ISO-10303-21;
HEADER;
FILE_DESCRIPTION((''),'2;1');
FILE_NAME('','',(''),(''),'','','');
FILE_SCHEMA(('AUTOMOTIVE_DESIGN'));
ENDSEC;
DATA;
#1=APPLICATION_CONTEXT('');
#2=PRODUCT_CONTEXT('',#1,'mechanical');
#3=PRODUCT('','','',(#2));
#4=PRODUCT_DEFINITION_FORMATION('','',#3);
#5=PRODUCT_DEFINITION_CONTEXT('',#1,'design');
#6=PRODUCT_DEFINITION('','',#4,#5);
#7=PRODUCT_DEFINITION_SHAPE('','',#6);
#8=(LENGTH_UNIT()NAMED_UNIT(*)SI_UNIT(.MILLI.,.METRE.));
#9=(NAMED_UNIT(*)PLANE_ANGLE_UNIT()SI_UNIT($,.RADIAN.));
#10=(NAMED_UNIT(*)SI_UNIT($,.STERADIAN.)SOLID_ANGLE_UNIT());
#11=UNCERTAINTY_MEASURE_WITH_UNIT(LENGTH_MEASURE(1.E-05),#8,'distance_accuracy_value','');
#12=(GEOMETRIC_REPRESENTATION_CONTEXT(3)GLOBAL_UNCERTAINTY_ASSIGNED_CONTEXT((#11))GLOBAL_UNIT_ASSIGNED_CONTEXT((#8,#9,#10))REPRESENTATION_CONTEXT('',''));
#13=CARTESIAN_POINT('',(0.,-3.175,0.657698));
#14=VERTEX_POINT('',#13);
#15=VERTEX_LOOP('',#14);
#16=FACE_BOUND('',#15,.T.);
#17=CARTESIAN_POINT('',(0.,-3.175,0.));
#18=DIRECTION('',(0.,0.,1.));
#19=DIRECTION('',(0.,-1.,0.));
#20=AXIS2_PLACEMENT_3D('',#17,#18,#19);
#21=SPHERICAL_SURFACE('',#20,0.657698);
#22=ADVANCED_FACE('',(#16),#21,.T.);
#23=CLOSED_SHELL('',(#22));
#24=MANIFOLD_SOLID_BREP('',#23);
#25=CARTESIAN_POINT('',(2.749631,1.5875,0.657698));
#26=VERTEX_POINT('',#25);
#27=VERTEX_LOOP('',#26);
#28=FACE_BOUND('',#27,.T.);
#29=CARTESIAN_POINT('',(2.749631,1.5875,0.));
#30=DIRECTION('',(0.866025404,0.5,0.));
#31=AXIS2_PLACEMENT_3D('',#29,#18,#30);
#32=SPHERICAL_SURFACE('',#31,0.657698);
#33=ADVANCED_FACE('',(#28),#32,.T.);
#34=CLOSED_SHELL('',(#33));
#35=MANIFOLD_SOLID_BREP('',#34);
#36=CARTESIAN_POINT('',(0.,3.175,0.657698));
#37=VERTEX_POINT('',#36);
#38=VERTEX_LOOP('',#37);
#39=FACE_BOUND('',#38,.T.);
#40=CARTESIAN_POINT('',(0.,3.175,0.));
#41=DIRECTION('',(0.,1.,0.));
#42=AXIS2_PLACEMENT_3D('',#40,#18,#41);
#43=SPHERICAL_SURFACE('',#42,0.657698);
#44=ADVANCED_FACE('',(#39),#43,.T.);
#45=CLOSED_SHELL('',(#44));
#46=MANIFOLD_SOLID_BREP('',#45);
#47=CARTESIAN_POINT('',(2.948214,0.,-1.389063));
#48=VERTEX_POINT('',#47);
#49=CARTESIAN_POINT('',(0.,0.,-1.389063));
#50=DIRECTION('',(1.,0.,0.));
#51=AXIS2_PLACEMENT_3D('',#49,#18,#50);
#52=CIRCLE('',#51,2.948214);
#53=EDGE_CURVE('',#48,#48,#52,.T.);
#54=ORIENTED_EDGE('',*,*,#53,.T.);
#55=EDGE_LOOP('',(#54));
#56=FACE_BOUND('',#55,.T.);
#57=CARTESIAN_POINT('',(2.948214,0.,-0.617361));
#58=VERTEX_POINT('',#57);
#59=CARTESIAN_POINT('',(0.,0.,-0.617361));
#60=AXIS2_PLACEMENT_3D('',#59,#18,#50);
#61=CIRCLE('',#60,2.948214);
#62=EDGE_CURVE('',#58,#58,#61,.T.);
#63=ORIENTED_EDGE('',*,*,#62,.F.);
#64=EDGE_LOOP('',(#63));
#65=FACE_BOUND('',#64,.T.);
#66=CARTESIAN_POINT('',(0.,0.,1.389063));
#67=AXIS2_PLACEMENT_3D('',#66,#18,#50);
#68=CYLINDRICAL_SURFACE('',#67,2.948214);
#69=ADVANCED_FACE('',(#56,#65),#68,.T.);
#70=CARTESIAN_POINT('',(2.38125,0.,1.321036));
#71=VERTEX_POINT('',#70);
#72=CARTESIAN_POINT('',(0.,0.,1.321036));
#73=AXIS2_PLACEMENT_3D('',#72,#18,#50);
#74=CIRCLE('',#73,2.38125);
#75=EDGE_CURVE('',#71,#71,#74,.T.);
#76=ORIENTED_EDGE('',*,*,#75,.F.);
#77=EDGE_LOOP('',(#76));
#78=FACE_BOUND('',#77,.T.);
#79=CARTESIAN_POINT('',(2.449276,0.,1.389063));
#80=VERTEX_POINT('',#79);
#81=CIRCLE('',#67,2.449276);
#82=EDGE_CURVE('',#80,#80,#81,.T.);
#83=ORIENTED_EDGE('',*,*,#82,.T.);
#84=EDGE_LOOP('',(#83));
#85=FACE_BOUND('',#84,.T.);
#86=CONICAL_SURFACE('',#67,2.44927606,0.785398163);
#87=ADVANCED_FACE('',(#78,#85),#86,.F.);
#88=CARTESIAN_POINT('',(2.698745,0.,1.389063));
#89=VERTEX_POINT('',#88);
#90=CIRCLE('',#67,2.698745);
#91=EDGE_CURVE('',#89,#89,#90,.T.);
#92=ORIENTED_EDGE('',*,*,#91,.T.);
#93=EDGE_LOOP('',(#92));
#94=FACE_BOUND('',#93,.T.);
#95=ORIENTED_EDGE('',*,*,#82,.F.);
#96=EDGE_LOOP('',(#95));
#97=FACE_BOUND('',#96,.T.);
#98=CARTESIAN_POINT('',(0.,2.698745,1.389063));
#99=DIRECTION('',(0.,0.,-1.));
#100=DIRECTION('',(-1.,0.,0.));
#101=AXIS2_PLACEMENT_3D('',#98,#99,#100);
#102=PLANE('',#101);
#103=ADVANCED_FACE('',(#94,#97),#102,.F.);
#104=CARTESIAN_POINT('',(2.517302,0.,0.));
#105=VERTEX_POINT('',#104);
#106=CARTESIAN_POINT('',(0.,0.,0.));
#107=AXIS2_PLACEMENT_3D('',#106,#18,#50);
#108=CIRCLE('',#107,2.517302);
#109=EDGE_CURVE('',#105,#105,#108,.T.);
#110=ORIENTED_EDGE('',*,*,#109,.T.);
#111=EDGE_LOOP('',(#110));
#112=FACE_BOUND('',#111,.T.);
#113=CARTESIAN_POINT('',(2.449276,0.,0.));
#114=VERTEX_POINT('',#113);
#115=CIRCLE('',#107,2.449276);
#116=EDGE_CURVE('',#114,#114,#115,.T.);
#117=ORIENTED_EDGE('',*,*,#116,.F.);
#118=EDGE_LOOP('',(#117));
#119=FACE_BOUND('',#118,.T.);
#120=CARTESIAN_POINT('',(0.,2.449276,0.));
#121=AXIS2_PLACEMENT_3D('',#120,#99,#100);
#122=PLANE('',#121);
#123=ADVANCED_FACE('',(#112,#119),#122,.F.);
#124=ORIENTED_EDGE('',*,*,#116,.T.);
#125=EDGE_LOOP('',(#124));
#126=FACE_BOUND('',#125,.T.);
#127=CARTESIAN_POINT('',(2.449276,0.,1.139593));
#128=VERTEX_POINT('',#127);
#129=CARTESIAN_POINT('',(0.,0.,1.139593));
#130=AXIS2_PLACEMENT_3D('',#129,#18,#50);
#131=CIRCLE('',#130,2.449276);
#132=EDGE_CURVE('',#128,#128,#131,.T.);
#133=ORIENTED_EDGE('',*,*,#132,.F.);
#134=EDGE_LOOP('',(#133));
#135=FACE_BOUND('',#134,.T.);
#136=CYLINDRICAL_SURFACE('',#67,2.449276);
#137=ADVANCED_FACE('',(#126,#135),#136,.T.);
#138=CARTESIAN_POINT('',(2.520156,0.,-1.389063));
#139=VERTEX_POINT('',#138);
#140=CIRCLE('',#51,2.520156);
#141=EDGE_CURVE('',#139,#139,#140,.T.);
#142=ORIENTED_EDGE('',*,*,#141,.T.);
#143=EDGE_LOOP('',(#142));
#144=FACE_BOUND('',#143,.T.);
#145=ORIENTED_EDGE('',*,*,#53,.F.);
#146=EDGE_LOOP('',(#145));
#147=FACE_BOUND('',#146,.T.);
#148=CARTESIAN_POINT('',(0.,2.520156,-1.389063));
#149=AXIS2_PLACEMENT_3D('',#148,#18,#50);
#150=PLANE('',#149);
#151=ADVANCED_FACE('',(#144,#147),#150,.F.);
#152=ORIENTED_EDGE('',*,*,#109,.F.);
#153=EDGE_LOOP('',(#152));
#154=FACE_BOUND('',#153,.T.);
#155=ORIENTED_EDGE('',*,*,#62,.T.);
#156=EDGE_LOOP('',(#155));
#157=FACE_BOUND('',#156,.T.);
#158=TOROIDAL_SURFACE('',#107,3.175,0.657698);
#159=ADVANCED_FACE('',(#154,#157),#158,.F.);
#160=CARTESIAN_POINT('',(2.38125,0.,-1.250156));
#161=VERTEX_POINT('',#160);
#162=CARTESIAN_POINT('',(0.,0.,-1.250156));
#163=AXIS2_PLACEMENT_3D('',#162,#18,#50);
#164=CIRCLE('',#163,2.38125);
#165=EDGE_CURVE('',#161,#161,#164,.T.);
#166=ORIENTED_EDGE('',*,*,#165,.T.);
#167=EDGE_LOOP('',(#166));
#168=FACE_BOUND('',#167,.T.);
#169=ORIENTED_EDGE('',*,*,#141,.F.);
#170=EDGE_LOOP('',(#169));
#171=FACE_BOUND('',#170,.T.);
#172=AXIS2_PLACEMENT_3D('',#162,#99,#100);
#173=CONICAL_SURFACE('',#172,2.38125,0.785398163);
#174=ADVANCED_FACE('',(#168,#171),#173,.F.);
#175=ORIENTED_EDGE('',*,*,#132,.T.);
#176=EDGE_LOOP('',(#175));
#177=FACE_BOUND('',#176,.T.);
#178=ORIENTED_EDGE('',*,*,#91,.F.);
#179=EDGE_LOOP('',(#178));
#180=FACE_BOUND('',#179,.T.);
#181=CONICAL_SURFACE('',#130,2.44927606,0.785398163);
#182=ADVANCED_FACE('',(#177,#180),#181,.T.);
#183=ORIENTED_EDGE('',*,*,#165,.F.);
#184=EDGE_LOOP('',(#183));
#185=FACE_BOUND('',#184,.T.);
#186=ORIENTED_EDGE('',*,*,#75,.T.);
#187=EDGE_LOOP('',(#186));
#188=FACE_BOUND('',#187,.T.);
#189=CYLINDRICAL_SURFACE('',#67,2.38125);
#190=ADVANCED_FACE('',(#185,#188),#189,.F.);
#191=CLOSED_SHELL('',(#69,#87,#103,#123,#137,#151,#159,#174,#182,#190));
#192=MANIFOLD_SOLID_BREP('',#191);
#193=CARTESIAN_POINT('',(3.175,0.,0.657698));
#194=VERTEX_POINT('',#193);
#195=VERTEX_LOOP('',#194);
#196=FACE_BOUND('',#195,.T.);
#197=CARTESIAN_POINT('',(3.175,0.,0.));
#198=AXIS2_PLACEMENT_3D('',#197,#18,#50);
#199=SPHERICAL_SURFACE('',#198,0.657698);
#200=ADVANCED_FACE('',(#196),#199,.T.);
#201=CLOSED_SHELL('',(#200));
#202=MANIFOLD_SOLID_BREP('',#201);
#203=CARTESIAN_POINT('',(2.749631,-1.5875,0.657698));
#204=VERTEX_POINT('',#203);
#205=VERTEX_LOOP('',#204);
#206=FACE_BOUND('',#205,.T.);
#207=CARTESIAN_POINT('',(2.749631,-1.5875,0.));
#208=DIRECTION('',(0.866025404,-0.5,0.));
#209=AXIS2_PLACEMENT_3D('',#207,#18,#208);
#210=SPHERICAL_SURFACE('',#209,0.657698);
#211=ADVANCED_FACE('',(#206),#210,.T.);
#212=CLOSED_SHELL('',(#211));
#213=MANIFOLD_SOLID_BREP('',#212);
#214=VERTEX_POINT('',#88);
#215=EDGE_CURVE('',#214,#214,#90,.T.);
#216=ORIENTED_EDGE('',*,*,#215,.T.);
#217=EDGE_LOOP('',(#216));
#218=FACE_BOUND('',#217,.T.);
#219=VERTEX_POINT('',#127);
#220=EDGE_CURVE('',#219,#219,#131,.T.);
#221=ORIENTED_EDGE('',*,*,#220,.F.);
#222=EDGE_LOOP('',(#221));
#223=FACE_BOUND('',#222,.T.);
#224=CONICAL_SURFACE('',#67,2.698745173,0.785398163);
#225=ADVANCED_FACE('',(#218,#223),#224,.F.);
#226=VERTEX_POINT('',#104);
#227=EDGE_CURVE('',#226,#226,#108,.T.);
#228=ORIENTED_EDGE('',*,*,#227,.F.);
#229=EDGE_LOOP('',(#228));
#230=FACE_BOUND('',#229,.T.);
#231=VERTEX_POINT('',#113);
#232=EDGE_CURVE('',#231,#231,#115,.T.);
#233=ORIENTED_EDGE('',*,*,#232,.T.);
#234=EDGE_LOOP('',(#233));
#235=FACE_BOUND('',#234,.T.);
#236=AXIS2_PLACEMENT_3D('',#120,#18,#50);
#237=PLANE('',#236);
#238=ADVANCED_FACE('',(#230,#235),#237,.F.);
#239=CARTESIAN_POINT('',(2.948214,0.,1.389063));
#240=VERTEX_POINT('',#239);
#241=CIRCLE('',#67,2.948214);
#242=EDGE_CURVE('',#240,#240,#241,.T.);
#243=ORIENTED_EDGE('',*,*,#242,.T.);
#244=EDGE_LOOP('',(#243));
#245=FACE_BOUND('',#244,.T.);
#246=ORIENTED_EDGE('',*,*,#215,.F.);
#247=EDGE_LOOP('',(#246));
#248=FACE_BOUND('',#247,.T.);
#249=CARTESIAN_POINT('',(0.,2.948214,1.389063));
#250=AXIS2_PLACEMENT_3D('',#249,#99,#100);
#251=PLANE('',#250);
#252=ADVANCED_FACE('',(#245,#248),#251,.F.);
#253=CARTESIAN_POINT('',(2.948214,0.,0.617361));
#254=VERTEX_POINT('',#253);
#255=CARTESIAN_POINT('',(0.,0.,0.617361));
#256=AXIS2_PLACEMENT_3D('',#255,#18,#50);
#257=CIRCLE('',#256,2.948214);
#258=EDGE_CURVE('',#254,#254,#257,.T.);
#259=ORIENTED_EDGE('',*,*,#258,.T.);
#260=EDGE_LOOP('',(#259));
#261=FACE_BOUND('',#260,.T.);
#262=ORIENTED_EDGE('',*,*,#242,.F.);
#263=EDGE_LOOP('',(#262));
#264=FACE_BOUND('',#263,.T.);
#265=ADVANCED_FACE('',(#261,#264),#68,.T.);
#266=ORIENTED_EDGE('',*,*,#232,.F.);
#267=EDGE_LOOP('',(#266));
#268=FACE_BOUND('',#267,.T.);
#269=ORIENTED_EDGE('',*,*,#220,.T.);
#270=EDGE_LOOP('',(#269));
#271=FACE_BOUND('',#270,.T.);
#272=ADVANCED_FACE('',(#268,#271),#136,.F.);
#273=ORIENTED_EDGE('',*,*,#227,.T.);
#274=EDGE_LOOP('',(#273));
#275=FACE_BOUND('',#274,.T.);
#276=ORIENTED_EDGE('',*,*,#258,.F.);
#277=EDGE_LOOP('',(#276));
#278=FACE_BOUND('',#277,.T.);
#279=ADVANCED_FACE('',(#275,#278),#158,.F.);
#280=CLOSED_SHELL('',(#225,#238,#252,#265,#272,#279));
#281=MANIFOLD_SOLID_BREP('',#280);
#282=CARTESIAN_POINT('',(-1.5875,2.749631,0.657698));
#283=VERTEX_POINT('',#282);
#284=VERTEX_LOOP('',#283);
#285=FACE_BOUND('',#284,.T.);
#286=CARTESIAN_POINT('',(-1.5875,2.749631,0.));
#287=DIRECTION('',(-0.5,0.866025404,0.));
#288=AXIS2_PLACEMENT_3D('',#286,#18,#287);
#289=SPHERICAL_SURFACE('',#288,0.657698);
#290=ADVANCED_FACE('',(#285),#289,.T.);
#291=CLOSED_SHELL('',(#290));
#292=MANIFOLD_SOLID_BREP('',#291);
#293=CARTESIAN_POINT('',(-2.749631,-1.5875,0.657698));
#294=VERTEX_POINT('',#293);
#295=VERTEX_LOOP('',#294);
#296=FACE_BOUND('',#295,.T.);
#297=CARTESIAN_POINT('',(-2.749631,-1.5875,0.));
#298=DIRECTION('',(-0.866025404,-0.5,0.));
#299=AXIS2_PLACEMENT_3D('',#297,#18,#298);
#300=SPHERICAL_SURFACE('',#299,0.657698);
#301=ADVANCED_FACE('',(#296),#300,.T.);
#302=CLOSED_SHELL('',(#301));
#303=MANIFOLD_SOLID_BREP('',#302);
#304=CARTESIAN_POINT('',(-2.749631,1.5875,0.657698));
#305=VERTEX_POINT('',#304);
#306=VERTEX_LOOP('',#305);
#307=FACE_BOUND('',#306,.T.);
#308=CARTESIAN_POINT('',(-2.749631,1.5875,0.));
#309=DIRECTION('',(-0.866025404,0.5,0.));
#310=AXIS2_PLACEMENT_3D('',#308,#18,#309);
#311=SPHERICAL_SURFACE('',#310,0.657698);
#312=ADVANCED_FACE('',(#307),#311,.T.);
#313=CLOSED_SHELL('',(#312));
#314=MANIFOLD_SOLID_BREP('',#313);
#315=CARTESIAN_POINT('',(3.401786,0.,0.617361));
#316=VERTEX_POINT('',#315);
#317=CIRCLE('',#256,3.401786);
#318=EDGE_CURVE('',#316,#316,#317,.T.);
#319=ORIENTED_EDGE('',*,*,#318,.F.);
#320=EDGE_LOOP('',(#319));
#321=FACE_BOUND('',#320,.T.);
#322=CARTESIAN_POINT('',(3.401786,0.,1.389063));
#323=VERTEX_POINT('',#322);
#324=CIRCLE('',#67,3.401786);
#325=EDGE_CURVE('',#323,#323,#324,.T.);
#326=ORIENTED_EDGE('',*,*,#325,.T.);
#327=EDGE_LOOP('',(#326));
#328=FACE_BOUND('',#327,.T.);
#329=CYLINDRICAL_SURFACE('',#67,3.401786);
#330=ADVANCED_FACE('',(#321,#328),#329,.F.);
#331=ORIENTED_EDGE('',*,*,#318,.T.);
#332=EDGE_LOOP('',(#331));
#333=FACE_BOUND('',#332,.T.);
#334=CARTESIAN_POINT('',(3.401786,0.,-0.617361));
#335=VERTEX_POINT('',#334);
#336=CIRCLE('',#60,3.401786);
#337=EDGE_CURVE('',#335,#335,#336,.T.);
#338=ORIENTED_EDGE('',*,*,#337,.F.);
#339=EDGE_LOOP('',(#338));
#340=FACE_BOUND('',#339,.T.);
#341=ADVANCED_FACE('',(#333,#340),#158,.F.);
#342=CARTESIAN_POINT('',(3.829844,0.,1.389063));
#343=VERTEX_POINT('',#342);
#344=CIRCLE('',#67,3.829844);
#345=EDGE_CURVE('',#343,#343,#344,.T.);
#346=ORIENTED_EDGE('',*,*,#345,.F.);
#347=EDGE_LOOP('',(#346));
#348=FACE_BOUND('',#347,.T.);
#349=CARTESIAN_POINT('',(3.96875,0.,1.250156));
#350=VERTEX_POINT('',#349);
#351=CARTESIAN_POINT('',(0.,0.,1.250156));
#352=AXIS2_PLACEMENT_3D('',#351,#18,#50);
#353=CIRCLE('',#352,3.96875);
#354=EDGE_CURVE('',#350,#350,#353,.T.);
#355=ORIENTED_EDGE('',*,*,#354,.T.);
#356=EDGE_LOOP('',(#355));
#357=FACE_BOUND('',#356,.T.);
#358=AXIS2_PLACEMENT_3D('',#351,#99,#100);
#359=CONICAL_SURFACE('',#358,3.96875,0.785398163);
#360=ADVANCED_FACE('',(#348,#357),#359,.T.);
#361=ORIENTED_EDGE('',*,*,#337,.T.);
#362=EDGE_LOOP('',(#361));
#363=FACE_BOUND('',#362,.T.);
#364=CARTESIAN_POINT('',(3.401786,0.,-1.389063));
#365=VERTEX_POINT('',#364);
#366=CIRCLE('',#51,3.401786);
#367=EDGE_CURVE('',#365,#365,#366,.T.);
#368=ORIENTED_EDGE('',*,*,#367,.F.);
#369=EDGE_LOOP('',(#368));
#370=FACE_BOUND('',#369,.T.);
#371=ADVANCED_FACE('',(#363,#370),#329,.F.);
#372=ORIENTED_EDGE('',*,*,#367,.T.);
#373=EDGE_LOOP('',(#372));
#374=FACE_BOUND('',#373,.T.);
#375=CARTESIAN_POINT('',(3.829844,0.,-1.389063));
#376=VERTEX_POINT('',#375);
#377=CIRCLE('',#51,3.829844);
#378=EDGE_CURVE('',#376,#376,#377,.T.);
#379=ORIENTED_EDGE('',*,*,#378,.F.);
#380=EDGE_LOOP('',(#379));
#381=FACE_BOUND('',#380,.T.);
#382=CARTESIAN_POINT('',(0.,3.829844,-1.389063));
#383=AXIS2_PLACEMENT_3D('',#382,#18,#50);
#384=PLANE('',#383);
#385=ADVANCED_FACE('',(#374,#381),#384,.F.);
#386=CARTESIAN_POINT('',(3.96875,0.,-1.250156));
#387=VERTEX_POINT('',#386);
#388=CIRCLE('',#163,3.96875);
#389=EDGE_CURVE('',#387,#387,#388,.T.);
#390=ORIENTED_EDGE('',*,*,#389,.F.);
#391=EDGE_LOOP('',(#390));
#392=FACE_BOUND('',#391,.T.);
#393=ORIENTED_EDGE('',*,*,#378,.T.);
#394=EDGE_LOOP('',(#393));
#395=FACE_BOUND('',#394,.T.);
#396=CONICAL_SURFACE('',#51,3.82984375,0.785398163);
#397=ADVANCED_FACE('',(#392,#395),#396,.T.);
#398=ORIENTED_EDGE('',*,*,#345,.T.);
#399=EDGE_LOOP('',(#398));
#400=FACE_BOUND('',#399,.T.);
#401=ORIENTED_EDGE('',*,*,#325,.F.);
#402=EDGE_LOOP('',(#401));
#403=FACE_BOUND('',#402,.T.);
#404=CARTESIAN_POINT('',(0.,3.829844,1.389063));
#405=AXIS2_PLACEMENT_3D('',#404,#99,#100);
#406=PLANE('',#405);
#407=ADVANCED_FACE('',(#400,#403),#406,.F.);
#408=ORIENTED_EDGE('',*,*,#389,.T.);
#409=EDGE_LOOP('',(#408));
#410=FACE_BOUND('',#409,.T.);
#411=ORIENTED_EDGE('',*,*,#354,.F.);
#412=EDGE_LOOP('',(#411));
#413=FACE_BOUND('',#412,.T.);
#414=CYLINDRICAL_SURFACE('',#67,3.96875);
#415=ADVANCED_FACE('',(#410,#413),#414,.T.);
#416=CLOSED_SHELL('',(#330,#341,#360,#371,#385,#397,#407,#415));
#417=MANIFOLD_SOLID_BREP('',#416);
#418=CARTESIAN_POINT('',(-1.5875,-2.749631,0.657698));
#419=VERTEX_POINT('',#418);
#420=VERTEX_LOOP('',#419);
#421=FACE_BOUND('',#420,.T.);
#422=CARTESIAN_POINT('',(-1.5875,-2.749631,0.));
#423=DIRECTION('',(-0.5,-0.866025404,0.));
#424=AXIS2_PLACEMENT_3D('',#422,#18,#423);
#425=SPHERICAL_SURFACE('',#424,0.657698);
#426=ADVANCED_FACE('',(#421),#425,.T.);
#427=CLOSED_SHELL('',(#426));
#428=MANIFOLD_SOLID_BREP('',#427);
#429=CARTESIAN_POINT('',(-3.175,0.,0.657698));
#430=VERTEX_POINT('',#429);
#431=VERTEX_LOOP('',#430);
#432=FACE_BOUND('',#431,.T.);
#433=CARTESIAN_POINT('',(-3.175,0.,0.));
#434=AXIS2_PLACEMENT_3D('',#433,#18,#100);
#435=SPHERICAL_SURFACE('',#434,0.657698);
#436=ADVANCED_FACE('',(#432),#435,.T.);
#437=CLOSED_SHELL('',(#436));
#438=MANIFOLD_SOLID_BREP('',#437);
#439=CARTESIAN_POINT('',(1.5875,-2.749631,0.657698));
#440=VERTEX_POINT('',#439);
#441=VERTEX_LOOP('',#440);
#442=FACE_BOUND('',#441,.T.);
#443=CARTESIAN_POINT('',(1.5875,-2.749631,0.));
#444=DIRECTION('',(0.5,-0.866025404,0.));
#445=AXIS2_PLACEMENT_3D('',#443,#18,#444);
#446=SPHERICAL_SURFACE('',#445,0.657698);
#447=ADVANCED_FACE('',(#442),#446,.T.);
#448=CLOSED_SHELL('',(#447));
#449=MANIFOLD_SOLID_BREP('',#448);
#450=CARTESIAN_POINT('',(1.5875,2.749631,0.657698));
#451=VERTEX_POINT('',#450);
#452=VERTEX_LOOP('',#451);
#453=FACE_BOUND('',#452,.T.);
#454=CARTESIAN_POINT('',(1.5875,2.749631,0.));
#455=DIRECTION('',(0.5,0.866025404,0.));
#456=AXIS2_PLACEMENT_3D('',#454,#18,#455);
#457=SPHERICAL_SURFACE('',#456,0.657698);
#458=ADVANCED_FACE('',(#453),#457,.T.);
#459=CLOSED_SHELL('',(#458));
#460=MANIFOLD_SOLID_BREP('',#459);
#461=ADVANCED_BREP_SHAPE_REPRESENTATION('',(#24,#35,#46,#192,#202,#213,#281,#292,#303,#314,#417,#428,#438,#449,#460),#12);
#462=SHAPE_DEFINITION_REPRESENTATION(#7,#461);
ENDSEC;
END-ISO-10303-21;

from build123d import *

# Parameters (mm, degrees)
CIRPATTERN1_COUNT = 12


with BuildPart() as part:
    # Sketch1 → Revolve1 (revolve)
    with BuildSketch(Plane(origin=(0, 0, 0), x_dir=(0, 0, -1), z_dir=(1, 0, 0))):
        with BuildLine():
            Line((1.25015625, 3.96875), (-1.25015625, 3.96875))
            Line((-1.25015625, 3.96875), (-1.3890625, 3.82984375))
            Line((-1.3890625, 3.82984375), (-1.3890625, 3.401785714))
            Line((-1.3890625, 3.401785714), (-0.617361111, 3.401785714))
            ThreePointArc((-0.617361111, 3.401785714), (0, 3.83269788), (0.617361111, 3.401785714))
            Line((0.617361111, 3.401785714), (1.3890625, 3.401785714))
            Line((1.3890625, 3.401785714), (1.3890625, 3.82984375))
            Line((1.3890625, 3.82984375), (1.25015625, 3.96875))
        make_face()
    revolve(axis=Axis((0, 0, 1.3890625), (0, 0, -1)))


with BuildPart() as body_2:
    # Sketch2 → Revolve2 (revolve)
    with BuildSketch(Plane(origin=(0, 0, 0), x_dir=(0, 0, -1), z_dir=(1, 0, 0))):
        with BuildLine():
            Line((-1.3890625, 2.948214286), (-0.617361111, 2.948214286))
            ThreePointArc((-0.617361111, 2.948214286), (-0.376437258, 2.635684237), (0, 2.51730212))
            Line((0, 2.51730212), (0, 2.44927606))
            Line((0, 2.44927606), (-1.139593387, 2.44927606))
            Line((-1.139593387, 2.44927606), (-1.3890625, 2.698745173))
            Line((-1.3890625, 2.698745173), (-1.3890625, 2.948214286))
        make_face()
    revolve(axis=Axis((0, 0, 1.3890625), (0, 0, -1)))


with BuildPart() as body_3:
    # Sketch3 → Revolve3 (revolve)
    with BuildSketch(Plane(origin=(0, 0, 0), x_dir=(0, 0, -1), z_dir=(1, 0, 0))):
        with BuildLine():
            Line((-1.3890625, 2.698745173), (-1.139593387, 2.44927606))
            Line((-1.139593387, 2.44927606), (0, 2.44927606))
            Line((0, 2.44927606), (0, 2.51730212))
            ThreePointArc((0, 2.51730212), (0.376437258, 2.635684237), (0.617361111, 2.948214286))
            Line((0.617361111, 2.948214286), (1.3890625, 2.948214286))
            Line((1.3890625, 2.948214286), (1.3890625, 2.52015625))
            Line((1.3890625, 2.52015625), (1.25015625, 2.38125))
            Line((1.25015625, 2.38125), (-1.32103644, 2.38125))
            Line((-1.32103644, 2.38125), (-1.3890625, 2.44927606))
            Line((-1.3890625, 2.44927606), (-1.3890625, 2.698745173))
        make_face()
    revolve(axis=Axis((0, 0, 1.3890625), (0, 0, -1)))


with BuildPart() as body_4:
    # Sketch4 → Revolve4 (revolve)
    with BuildSketch(Plane(origin=(0, 0, 0), x_dir=(0, 0, -1), z_dir=(1, 0, 0))):
        with BuildLine():
            Line((-0.65769788, 3.175), (0.65769788, 3.175))
            ThreePointArc((0.65769788, 3.175), (0, 3.83269788), (-0.65769788, 3.175))
        make_face()
    revolve(axis=Axis((0, 3.175, 0.65769788), (0, 0, -1)))


with BuildPart() as cirpattern1_1:
    # CirPattern1: pattern copy
    add(body_4.part.rotate(Axis((0, 0, -1.3890625), (0, 0, 1)), 1 * 360 / CIRPATTERN1_COUNT))


with BuildPart() as cirpattern1_2:
    # CirPattern1: pattern copy
    add(body_4.part.rotate(Axis((0, 0, -1.3890625), (0, 0, 1)), 2 * 360 / CIRPATTERN1_COUNT))


with BuildPart() as cirpattern1_3:
    # CirPattern1: pattern copy
    add(body_4.part.rotate(Axis((0, 0, -1.3890625), (0, 0, 1)), 3 * 360 / CIRPATTERN1_COUNT))


with BuildPart() as cirpattern1_4:
    # CirPattern1: pattern copy
    add(body_4.part.rotate(Axis((0, 0, -1.3890625), (0, 0, 1)), 4 * 360 / CIRPATTERN1_COUNT))


with BuildPart() as cirpattern1_5:
    # CirPattern1: pattern copy
    add(body_4.part.rotate(Axis((0, 0, -1.3890625), (0, 0, 1)), 5 * 360 / CIRPATTERN1_COUNT))


with BuildPart() as cirpattern1_6:
    # CirPattern1: pattern copy
    add(body_4.part.rotate(Axis((0, 0, -1.3890625), (0, 0, 1)), 6 * 360 / CIRPATTERN1_COUNT))


with BuildPart() as cirpattern1_7:
    # CirPattern1: pattern copy
    add(body_4.part.rotate(Axis((0, 0, -1.3890625), (0, 0, 1)), 7 * 360 / CIRPATTERN1_COUNT))


with BuildPart() as cirpattern1_8:
    # CirPattern1: pattern copy
    add(body_4.part.rotate(Axis((0, 0, -1.3890625), (0, 0, 1)), 8 * 360 / CIRPATTERN1_COUNT))


with BuildPart() as cirpattern1_9:
    # CirPattern1: pattern copy
    add(body_4.part.rotate(Axis((0, 0, -1.3890625), (0, 0, 1)), 9 * 360 / CIRPATTERN1_COUNT))


with BuildPart() as cirpattern1_10:
    # CirPattern1: pattern copy
    add(body_4.part.rotate(Axis((0, 0, -1.3890625), (0, 0, 1)), 10 * 360 / CIRPATTERN1_COUNT))


with BuildPart() as cirpattern1_11:
    # CirPattern1: pattern copy
    add(body_4.part.rotate(Axis((0, 0, -1.3890625), (0, 0, 1)), 11 * 360 / CIRPATTERN1_COUNT))


solid = Compound([part.part, body_2.part, body_3.part, body_4.part, cirpattern1_1.part, cirpattern1_2.part, cirpattern1_3.part, cirpattern1_4.part, cirpattern1_5.part, cirpattern1_6.part, cirpattern1_7.part, cirpattern1_8.part, cirpattern1_9.part, cirpattern1_10.part, cirpattern1_11.part])
